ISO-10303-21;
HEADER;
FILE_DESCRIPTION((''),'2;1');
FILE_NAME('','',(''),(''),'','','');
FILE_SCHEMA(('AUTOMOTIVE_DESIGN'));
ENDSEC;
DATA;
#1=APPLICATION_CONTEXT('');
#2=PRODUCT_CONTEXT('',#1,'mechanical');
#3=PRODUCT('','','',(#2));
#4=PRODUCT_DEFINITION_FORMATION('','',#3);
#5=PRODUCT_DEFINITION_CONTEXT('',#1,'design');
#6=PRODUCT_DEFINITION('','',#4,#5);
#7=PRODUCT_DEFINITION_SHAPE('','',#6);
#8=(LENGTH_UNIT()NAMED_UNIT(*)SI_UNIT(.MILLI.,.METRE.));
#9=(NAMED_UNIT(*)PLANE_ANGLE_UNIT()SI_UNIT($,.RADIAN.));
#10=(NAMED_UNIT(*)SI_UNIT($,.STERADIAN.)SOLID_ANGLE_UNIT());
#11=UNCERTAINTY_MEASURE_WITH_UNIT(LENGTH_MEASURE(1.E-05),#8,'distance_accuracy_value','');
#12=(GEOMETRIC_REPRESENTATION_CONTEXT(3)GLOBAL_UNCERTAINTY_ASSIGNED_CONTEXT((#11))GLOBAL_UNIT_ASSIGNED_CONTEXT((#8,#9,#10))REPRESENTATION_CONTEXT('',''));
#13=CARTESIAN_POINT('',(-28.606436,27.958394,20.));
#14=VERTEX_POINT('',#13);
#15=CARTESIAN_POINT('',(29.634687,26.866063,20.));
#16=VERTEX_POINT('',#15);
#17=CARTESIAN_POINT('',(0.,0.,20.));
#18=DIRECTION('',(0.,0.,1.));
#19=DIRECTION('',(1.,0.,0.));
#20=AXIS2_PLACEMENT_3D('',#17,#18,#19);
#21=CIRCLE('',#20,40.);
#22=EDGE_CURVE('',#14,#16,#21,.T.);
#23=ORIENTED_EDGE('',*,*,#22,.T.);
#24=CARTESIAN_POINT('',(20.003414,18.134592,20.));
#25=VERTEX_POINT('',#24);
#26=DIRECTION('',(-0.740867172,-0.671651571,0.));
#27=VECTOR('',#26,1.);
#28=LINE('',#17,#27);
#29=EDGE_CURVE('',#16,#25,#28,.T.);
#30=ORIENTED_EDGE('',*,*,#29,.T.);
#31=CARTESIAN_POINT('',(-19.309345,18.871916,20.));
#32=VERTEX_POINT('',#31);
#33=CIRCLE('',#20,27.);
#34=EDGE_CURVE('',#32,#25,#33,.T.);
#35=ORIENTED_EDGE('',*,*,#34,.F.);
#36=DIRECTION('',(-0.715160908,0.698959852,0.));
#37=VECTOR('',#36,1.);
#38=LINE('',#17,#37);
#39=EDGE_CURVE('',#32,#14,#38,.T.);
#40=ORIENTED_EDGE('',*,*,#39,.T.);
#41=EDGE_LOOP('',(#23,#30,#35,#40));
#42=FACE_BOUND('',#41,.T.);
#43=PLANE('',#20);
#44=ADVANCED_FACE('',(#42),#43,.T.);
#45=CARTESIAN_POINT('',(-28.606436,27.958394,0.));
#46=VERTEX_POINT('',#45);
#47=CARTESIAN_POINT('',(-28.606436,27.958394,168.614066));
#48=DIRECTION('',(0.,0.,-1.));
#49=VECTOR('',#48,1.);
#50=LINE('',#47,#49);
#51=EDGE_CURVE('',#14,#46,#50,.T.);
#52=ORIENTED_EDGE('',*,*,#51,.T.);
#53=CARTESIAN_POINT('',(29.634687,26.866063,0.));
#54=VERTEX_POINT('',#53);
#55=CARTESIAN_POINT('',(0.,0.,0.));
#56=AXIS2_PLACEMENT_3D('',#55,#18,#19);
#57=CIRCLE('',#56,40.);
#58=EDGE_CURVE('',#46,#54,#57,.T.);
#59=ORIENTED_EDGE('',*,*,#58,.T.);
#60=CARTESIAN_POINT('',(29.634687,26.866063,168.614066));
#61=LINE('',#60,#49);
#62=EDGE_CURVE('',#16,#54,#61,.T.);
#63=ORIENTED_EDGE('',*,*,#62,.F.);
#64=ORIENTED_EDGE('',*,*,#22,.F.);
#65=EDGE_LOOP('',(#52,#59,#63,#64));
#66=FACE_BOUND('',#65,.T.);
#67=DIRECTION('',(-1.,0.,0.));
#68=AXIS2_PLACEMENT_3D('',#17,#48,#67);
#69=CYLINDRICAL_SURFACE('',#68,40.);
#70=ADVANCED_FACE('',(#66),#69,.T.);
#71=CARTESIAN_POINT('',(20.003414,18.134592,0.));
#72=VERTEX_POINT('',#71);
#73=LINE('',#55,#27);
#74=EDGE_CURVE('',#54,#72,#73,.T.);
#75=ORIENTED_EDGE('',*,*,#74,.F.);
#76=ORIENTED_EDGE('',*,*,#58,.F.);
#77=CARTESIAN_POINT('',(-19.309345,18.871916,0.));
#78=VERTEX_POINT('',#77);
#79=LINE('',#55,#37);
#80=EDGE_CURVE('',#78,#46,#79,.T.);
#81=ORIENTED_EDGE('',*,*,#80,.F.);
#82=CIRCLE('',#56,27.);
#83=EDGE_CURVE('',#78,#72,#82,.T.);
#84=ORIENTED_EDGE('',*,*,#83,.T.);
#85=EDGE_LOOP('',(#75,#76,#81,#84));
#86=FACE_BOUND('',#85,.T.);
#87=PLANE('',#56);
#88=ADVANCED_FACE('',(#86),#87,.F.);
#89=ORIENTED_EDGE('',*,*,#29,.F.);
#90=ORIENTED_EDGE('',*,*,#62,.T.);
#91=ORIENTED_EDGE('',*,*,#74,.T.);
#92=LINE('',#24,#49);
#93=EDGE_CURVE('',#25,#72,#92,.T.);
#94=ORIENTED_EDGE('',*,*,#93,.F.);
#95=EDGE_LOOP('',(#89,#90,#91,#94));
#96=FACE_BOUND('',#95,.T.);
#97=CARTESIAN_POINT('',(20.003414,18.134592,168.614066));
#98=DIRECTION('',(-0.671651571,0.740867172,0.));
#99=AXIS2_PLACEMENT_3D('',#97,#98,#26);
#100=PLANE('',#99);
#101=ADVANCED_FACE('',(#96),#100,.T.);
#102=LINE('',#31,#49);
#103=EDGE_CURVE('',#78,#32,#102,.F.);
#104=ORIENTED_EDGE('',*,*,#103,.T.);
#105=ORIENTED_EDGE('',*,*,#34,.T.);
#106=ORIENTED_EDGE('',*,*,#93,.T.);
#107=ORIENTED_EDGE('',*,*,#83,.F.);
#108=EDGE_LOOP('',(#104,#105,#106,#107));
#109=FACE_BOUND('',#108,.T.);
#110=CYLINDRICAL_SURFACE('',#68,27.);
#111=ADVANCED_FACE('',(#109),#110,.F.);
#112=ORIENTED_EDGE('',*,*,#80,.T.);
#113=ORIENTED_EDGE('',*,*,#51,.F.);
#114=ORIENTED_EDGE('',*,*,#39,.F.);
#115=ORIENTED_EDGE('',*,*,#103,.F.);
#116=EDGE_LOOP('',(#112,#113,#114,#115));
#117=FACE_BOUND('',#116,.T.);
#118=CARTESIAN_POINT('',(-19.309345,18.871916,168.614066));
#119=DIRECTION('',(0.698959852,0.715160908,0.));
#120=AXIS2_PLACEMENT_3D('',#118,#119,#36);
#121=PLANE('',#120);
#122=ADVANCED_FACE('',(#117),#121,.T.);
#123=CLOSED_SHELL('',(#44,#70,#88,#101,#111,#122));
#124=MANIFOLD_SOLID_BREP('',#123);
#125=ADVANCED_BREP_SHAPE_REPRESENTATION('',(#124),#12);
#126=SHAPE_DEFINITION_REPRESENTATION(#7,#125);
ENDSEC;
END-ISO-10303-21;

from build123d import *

# Parameters (mm, degrees)
SKETCH1_R               = 40
SKETCH1_R_2             = 27
BOSS_EXTRUDE1_DEPTH     = 20
CUT_EXTRUDE4_DEPTH      = 21
CUT_EXTRUDE4_DEPTH_BACK = 1


with BuildPart() as part:
    # Sketch1 → Boss-Extrude1 (new body)
    with BuildSketch(Plane.XY):
        Circle(SKETCH1_R)
        Circle(SKETCH1_R_2, mode=Mode.SUBTRACT)
    extrude(amount=BOSS_EXTRUDE1_DEPTH)

    # Sketch2 → Cut-Extrude4 (cut, two sides)
    with BuildSketch(Plane.XY) as cut_extrude4_sk:
        with BuildLine():
            Line((-28.606436337, 27.95839409), (-19.309344528, 18.871916011))
            ThreePointArc((-19.309344528, 18.871916011), (-11.064957407, 24.628575224), (-1.28591011, 26.969361045))
            ThreePointArc((-1.28591011, 26.969361045), (10.34888974, 24.937932576), (20.003413651, 18.134592422))
            Line((20.003413651, 18.134592422), (29.63468689, 26.866062848))
            ThreePointArc((29.63468689, 26.866062848), (0.941903369, 39.988908688), (-28.33691177, 28.231532571))
            ThreePointArc((-28.33691177, 28.231532571), (-28.472001591, 28.095286534), (-28.606436337, 27.95839409))
        make_face()
    extrude(amount=CUT_EXTRUDE4_DEPTH, mode=Mode.SUBTRACT)
    extrude(cut_extrude4_sk.sketch, amount=-CUT_EXTRUDE4_DEPTH_BACK, mode=Mode.SUBTRACT)


solid = part.part
